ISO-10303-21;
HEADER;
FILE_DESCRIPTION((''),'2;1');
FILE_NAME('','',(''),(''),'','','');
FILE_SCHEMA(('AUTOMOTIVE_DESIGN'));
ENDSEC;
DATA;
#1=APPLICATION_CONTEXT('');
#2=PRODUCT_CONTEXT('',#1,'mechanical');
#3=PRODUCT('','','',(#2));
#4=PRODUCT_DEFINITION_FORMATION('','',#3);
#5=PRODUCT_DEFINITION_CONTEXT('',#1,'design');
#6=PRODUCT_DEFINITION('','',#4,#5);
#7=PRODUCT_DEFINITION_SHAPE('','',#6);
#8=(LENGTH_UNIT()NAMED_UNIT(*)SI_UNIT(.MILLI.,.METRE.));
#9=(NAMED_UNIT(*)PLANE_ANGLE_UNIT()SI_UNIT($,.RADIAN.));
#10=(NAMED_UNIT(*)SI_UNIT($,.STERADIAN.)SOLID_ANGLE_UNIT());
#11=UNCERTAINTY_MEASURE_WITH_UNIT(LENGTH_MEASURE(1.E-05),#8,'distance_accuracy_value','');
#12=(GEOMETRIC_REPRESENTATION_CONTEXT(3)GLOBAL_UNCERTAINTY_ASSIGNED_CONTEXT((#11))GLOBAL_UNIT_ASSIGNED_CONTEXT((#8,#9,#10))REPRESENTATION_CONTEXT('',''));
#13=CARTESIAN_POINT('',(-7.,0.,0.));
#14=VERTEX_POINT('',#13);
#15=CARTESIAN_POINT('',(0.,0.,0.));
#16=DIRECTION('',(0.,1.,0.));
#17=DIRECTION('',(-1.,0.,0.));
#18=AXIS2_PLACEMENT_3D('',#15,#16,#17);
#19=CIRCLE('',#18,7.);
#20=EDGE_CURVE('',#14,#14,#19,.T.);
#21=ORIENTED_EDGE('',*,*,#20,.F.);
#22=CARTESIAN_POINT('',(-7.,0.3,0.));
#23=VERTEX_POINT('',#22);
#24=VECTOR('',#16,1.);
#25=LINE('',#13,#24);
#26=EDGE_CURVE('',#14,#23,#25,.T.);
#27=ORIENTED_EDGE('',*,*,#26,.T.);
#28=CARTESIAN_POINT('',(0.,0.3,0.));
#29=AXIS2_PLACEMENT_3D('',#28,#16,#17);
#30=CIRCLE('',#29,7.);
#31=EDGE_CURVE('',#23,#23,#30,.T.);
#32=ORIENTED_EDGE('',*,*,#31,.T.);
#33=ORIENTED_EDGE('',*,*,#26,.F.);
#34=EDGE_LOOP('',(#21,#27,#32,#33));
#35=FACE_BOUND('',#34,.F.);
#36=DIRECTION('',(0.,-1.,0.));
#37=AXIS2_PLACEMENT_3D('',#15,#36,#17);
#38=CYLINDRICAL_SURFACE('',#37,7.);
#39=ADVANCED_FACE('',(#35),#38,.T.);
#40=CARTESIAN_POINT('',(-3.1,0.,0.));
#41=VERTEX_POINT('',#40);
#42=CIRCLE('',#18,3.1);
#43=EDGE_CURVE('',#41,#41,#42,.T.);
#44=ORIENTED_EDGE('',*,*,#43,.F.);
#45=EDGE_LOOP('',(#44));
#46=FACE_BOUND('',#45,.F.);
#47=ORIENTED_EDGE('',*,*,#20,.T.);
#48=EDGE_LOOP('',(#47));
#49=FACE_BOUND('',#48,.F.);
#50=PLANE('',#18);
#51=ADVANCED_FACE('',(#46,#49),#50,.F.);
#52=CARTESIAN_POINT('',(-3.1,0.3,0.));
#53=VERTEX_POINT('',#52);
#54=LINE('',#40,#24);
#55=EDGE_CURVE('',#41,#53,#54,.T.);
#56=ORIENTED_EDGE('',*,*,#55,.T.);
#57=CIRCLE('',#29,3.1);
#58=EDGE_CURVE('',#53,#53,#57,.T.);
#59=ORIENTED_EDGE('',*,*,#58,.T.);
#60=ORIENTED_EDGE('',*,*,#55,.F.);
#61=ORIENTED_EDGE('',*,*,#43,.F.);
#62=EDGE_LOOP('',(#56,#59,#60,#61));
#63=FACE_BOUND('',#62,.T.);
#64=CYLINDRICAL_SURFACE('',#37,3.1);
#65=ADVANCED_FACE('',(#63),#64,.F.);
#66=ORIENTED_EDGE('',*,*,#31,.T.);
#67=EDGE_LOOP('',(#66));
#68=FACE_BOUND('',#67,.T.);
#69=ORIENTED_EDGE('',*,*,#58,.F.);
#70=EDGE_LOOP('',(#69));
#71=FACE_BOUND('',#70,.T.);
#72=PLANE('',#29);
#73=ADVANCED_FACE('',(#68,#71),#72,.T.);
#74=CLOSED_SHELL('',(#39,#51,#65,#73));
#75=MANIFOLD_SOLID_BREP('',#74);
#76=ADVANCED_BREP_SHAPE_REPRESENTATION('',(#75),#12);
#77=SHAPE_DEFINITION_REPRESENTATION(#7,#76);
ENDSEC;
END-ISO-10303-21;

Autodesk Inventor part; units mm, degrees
ref_plane "YZ Plane" through (0, 0, 0) normal (1, 0, 0) x (0, 1, 0)
ref_plane "XZ Plane" through (0, 0, 0) normal (0, 1, 0) x (-1, 0, 0)
ref_plane "XY Plane" through (0, 0, 0) normal (0, 0, 1) x (1, 0, 0)
sketch "スケッチ1" plane through (0, 0, 0) normal (0, 1, 0) x (-1, 0, 0)
  circle A0 centre (0, 0) radius 3.1
  circle A1 centre (0, 0) radius 7
  dimension "d0" = 6.2
  dimension "d1" = 14
extrude "押し出し1" add sketch "スケッチ1" along normal blind 0.3
properties part number "ワッシャー6.2,14.0.3t" material "アセタール樹脂、白"
